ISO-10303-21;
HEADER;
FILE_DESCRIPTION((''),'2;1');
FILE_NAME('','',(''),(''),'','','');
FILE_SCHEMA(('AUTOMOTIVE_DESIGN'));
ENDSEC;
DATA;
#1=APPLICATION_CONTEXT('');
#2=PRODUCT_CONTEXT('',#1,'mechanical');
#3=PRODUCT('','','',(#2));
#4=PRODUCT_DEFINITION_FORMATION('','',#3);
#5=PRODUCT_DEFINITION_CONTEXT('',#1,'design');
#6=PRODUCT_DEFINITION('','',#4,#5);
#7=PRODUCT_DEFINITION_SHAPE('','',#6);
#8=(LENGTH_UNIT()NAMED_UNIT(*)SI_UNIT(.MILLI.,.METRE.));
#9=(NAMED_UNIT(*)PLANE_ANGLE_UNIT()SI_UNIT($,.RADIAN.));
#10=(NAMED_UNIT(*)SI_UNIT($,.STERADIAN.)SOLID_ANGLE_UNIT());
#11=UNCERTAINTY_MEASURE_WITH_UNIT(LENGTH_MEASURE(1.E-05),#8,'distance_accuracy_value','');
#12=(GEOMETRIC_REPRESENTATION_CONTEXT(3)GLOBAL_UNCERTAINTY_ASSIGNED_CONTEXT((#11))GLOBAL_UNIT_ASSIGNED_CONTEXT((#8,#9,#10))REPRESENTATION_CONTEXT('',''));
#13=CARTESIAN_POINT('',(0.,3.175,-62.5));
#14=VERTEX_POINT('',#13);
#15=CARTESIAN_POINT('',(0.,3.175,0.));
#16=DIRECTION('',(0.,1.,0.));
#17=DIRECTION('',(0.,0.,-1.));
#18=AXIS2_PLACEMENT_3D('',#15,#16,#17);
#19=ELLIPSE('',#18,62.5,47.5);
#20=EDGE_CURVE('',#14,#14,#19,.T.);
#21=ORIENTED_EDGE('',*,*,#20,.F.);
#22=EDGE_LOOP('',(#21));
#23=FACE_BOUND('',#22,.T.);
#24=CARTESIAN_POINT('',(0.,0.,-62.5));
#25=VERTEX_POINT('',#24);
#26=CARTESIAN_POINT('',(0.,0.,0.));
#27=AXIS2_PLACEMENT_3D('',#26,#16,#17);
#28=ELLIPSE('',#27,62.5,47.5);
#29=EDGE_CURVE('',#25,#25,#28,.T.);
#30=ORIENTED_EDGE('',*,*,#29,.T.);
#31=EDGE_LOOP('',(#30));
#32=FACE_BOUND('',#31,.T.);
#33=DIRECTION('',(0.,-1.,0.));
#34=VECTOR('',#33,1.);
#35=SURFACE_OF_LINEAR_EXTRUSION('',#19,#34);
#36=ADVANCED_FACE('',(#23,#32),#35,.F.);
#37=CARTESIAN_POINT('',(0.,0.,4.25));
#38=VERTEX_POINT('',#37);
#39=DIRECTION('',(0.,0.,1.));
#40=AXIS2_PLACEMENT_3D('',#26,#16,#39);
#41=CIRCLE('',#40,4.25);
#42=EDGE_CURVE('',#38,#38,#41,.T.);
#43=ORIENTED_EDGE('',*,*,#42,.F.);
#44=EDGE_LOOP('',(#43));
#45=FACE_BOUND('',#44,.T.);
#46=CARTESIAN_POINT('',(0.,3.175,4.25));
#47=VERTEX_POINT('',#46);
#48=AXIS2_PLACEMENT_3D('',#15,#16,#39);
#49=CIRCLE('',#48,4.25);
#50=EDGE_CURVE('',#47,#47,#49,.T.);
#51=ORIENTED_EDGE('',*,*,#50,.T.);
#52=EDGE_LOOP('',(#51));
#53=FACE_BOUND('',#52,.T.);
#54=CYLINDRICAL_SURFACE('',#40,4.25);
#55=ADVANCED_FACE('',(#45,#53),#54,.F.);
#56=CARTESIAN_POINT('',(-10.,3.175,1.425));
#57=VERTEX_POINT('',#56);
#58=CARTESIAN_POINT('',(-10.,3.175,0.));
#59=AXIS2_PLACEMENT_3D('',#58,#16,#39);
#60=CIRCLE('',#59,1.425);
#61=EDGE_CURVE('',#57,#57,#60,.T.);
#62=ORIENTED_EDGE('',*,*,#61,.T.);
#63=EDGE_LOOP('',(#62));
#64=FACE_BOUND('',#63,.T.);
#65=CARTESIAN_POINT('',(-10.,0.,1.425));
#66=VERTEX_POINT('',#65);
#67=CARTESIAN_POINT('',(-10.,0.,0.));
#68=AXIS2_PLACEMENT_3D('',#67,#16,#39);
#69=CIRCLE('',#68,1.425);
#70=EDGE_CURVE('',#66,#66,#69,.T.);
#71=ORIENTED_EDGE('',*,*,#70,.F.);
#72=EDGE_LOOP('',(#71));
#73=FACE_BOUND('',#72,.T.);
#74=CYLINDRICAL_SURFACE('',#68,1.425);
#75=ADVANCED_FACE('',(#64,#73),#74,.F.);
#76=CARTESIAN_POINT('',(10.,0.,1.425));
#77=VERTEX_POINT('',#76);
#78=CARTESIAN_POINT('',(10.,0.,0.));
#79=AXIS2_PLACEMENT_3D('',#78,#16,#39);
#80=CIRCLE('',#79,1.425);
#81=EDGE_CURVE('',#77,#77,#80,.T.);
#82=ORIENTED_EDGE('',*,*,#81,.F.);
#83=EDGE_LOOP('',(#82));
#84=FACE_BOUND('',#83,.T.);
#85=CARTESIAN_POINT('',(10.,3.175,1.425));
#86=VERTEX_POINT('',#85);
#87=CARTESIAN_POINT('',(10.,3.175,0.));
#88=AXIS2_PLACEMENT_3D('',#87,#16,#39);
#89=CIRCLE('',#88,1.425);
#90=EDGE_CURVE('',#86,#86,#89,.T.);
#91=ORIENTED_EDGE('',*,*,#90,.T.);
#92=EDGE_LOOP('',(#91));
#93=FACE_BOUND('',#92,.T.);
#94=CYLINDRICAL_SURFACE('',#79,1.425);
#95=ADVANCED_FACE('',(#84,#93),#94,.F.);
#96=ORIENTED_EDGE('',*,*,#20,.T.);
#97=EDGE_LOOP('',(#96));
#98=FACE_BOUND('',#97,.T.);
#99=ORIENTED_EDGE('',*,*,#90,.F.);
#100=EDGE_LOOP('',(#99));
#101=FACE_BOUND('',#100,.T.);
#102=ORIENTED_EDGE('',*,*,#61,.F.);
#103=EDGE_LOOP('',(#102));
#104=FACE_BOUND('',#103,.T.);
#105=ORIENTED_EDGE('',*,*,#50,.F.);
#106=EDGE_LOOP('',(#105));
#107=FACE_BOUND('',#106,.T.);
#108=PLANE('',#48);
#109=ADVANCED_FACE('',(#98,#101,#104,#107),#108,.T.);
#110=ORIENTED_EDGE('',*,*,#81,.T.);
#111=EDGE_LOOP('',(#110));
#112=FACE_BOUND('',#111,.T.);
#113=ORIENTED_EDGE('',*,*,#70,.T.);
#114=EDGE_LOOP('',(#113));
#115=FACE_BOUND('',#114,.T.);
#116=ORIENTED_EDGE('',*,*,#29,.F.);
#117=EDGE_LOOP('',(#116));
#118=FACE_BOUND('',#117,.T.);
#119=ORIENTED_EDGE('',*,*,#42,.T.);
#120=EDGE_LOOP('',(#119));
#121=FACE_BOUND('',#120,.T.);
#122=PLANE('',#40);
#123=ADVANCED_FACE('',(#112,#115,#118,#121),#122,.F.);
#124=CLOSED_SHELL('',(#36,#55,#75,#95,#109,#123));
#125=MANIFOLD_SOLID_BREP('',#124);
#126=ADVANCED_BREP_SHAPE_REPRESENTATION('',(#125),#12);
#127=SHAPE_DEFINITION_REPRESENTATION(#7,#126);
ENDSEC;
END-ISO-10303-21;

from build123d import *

# Parameters (mm, degrees)
SKETCH1_RX          = 62.5
SKETCH1_RY          = 47.5
BOSS_EXTRUDE1_DEPTH = 3.175
SKETCH2_R           = 4.25
SKETCH2_R_2         = 1.425
CUT_EXTRUDE1_DEPTH  = 79.565772605


with BuildPart() as part:
    # Sketch1 → Boss-Extrude1 (new body)
    with BuildSketch(Plane(origin=(0, 0, 0), x_dir=(1, 0, 0), z_dir=(0, 1, 0))):
        with Locations(Location((0, 0), (0, 0, 90))):
            Ellipse(SKETCH1_RX, SKETCH1_RY)
    extrude(amount=BOSS_EXTRUDE1_DEPTH)

    # Sketch2 → Cut-Extrude1 (cut, through all)
    with BuildSketch(Plane(origin=(0, 3.175, 0), x_dir=(1, 0, 0), z_dir=(0, 1, 0))):
        with Locations(Location((0, 0, 0), (0, 0, 270))):
            Circle(SKETCH2_R)
        with Locations(Location((-10, 0, 0), (0, 0, 270))):
            Circle(SKETCH2_R_2)
        with Locations(Location((10, 0, 0), (0, 0, 270))):
            Circle(SKETCH2_R_2)
    extrude(amount=-CUT_EXTRUDE1_DEPTH, mode=Mode.SUBTRACT)


solid = part.part
